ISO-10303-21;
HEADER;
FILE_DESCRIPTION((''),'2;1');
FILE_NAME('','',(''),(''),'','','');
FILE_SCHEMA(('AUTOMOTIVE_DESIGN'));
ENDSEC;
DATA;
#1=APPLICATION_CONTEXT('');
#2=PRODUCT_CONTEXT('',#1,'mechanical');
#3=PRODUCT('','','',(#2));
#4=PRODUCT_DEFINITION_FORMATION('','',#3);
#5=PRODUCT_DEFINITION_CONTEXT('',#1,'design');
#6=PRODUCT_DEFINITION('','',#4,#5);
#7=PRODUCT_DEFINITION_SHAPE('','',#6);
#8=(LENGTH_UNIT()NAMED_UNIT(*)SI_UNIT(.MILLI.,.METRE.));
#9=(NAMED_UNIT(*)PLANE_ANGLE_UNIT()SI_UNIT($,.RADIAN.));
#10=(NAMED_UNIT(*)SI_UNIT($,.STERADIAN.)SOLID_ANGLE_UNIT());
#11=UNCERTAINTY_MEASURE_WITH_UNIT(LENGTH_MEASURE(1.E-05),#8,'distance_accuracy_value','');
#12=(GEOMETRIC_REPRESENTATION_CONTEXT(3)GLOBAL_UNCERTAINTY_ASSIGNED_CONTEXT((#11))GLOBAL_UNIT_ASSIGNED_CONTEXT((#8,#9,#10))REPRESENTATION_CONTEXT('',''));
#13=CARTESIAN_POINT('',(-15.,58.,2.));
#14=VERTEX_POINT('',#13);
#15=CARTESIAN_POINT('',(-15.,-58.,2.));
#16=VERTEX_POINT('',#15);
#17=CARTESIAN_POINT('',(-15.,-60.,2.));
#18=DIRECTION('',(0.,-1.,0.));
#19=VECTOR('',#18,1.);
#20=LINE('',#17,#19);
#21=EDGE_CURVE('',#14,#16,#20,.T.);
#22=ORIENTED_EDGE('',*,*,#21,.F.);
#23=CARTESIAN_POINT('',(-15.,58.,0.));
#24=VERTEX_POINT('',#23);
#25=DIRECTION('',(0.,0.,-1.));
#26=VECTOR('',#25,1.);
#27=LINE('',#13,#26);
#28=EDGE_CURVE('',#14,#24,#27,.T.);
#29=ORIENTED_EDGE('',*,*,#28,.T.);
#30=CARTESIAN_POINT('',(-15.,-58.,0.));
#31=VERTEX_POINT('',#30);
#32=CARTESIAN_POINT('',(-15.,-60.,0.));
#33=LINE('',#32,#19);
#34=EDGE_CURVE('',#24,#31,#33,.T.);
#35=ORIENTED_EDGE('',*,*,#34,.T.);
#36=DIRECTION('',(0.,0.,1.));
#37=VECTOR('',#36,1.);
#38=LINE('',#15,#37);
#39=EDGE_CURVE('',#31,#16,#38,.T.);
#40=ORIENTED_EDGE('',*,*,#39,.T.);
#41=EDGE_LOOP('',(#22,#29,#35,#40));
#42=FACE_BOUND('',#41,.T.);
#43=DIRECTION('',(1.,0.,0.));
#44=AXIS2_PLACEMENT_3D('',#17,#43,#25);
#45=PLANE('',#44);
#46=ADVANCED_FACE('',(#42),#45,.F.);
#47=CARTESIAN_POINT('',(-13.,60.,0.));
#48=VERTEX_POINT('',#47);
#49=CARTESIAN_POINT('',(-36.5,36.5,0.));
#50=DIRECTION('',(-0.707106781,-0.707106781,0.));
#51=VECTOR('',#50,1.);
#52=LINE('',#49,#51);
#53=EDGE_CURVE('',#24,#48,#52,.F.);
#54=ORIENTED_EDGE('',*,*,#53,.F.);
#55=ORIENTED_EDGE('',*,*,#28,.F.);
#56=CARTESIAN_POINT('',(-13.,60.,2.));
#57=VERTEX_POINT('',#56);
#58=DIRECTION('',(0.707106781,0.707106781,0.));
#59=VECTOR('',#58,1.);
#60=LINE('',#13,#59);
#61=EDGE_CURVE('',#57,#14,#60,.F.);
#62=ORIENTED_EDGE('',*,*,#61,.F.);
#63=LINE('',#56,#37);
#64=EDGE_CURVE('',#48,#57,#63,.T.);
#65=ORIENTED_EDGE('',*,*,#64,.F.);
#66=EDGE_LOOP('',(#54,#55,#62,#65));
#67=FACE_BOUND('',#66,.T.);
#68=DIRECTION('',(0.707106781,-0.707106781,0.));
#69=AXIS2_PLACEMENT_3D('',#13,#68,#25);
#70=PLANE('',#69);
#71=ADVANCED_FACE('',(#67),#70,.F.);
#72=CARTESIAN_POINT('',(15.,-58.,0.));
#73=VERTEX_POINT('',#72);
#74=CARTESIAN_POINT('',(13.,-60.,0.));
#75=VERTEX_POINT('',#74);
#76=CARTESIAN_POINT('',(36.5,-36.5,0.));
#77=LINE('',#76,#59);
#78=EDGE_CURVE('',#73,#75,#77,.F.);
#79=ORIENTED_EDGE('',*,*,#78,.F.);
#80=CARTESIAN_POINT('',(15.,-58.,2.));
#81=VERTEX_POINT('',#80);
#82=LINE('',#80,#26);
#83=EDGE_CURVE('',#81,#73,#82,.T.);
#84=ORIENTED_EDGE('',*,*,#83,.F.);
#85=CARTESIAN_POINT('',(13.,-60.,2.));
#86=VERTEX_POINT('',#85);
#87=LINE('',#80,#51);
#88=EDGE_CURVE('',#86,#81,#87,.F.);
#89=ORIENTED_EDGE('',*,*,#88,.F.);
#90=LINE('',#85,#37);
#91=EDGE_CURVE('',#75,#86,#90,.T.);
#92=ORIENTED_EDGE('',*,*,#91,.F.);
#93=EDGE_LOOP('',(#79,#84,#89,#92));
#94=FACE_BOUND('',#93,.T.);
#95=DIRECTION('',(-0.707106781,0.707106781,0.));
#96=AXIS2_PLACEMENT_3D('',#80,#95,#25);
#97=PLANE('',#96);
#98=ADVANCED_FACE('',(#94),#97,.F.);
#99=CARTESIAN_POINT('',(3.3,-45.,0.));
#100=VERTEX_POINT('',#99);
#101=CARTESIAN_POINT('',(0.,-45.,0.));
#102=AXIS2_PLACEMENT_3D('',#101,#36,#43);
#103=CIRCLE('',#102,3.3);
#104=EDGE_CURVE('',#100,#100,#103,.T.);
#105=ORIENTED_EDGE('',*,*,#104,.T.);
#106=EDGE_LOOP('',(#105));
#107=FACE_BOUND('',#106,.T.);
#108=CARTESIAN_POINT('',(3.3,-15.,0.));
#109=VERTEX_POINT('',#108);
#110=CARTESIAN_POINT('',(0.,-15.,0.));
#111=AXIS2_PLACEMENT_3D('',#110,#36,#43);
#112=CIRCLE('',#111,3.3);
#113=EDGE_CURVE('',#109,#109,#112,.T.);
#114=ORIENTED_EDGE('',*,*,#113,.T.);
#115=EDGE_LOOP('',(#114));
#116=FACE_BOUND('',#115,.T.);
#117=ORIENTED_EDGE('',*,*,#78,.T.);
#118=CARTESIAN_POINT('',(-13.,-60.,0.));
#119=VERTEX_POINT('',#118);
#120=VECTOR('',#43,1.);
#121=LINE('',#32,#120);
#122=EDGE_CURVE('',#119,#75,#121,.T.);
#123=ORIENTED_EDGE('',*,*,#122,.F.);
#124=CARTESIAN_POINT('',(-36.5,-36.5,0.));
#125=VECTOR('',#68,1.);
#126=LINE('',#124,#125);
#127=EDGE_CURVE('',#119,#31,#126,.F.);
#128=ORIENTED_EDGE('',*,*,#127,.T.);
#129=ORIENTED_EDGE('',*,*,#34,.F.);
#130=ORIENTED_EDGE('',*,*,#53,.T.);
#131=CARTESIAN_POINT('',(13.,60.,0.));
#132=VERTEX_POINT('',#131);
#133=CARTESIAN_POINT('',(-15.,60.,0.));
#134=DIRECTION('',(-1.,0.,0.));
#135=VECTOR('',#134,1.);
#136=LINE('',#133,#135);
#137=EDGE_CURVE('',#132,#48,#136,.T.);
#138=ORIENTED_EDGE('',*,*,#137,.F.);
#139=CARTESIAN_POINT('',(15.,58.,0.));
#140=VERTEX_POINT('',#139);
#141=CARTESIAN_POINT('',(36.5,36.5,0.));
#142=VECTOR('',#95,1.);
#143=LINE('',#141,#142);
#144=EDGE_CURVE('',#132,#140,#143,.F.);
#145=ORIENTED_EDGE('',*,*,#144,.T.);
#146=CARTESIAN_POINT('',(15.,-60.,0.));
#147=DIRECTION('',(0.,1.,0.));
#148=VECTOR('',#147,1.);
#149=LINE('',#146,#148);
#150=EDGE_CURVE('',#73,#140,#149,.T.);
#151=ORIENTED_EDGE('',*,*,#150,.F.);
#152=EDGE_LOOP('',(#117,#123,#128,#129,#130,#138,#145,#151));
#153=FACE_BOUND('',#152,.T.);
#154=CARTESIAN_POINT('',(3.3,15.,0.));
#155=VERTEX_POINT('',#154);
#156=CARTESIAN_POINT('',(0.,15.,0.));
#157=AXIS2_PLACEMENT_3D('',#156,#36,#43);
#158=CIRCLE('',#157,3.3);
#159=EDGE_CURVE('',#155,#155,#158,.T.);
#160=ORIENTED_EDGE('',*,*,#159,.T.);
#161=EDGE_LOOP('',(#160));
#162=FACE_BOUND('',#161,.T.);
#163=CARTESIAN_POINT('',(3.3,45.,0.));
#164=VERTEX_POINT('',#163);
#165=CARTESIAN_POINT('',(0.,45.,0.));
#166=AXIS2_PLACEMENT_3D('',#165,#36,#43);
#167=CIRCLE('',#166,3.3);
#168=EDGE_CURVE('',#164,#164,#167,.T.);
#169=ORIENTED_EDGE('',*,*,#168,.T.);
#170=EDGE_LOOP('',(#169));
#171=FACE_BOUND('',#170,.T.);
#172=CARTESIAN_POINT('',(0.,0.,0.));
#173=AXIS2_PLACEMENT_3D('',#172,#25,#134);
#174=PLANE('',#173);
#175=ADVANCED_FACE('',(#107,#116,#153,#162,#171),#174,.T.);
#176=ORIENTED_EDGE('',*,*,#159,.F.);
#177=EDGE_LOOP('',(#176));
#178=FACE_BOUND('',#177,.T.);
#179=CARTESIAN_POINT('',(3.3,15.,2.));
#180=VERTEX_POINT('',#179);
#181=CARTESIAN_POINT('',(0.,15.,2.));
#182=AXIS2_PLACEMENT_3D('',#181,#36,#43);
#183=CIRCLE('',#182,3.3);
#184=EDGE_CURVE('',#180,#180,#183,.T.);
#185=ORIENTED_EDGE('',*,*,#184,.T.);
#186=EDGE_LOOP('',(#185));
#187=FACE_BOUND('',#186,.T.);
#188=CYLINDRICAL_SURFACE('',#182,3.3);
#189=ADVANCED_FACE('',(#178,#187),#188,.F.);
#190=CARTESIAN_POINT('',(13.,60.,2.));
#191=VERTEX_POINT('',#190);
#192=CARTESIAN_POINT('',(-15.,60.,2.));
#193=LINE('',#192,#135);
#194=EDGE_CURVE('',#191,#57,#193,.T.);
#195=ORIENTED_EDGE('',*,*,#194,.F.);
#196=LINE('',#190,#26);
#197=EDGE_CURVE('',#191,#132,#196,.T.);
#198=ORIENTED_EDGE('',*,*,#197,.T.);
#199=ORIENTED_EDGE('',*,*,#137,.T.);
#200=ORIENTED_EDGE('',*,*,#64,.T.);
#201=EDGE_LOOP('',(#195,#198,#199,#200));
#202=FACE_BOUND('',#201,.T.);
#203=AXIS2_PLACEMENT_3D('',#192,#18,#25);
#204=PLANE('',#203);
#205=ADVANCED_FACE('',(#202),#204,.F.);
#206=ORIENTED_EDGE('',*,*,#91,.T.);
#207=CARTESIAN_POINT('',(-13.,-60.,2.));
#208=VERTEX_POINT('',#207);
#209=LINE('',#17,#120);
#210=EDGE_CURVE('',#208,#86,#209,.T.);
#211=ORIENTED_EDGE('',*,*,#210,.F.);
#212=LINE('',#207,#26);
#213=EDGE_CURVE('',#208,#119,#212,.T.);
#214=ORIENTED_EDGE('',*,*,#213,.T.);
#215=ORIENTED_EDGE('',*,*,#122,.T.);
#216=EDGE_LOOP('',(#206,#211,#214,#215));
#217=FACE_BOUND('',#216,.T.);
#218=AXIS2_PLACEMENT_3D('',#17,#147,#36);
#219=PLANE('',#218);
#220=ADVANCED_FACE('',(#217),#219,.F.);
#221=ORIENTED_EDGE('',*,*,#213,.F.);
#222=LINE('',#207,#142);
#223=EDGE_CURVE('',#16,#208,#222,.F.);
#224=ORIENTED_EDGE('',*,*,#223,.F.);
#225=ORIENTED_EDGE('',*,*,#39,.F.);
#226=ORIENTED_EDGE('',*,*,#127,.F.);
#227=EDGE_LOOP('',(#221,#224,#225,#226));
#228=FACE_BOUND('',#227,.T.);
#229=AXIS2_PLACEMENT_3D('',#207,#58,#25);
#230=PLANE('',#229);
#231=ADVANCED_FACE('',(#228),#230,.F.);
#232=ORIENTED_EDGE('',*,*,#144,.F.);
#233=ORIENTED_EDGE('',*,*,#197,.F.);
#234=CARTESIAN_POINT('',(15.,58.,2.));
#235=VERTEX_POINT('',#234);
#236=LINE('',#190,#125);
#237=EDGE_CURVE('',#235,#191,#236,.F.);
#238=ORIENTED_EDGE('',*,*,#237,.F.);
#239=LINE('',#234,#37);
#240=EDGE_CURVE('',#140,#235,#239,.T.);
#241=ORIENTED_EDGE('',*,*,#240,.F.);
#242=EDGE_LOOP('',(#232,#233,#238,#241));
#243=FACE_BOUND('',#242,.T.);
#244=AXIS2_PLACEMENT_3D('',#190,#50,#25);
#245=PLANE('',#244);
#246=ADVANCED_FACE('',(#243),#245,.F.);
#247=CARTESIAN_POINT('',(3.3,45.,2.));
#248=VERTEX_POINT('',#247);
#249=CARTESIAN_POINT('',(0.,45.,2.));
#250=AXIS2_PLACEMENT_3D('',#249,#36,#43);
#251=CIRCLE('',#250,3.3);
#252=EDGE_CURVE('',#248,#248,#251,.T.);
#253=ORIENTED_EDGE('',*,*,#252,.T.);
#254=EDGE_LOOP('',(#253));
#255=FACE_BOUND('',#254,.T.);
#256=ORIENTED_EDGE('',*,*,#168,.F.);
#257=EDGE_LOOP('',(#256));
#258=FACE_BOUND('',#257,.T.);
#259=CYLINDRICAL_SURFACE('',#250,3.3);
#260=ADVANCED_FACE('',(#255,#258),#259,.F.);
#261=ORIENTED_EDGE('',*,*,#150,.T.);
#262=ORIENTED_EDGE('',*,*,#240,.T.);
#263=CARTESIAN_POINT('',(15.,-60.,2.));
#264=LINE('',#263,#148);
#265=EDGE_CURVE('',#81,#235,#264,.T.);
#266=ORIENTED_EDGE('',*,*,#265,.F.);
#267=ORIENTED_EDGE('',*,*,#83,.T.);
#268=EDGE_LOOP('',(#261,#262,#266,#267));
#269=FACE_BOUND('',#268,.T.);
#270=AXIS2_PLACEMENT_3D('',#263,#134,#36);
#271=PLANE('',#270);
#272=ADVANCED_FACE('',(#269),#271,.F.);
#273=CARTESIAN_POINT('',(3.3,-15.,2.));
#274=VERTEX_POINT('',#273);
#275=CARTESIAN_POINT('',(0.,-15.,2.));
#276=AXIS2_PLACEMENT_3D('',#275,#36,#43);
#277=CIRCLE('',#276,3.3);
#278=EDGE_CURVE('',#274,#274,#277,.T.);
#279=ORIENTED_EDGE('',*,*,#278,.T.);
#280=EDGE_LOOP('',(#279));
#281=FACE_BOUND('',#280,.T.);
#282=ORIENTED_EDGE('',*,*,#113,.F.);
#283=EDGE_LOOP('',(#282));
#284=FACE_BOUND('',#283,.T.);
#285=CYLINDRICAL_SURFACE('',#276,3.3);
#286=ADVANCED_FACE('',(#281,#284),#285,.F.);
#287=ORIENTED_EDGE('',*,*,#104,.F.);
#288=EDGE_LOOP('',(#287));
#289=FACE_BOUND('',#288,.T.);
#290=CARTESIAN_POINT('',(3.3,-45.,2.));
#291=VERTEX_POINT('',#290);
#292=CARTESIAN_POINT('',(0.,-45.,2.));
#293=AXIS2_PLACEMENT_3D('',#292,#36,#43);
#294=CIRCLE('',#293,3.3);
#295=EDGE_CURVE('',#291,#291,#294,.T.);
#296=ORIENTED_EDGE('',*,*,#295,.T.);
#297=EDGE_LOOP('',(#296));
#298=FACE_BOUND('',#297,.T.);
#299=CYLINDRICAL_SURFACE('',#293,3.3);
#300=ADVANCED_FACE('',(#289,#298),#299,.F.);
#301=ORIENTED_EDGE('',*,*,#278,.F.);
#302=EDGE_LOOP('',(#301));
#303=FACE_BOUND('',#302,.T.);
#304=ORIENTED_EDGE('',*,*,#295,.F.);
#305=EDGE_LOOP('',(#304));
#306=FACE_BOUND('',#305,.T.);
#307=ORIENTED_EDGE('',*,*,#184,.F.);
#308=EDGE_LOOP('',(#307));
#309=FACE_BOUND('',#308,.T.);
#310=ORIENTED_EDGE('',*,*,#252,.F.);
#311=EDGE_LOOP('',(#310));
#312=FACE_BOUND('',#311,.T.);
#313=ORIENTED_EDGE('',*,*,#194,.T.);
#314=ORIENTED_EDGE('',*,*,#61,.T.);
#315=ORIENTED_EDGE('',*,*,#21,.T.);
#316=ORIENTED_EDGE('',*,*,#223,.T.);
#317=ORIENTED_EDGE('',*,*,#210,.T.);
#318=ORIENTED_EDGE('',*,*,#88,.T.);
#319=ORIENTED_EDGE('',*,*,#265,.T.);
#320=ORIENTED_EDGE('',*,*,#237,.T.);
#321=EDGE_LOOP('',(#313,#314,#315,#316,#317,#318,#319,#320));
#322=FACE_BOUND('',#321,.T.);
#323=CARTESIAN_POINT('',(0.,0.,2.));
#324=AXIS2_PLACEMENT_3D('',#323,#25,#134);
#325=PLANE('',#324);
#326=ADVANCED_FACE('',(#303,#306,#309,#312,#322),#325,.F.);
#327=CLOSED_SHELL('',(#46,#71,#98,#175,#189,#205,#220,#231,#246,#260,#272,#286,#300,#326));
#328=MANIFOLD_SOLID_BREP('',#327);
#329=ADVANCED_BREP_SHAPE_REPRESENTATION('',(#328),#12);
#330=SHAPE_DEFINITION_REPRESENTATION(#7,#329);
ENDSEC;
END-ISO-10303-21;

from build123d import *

# Parameters (mm, degrees)
SKETCH_1_W        = 30
SKETCH_1_H        = 120
EXTRUDE_1_DEPTH   = 2
CHAMFER_1_SIZE    = 2
HOLE_WIZARD_M61_D = 6.6


with BuildPart() as part:
    # Эскиз1 → Бобышка-Вытянуть1 (new body)
    with BuildSketch(Plane.XY):
        Rectangle(SKETCH_1_W, SKETCH_1_H)
    extrude(amount=EXTRUDE_1_DEPTH)

    # Фаска1
    chamfer_1_edges = [part.edges().sort_by_distance(p)[0] for p in [
        (15, -60, 1),
        (-15, -60, 1),
        (-15, 60, 1),
        (15, 60, 1),
    ]]
    chamfer(chamfer_1_edges, length=CHAMFER_1_SIZE)

    # Отверстие с зазором M61 (through all)
    with Locations(Plane.XY.offset(2)):
        with Locations((0, -45), (0, 45), (0, 15), (0, -15)):
            Hole(HOLE_WIZARD_M61_D / 2)


solid = part.part
